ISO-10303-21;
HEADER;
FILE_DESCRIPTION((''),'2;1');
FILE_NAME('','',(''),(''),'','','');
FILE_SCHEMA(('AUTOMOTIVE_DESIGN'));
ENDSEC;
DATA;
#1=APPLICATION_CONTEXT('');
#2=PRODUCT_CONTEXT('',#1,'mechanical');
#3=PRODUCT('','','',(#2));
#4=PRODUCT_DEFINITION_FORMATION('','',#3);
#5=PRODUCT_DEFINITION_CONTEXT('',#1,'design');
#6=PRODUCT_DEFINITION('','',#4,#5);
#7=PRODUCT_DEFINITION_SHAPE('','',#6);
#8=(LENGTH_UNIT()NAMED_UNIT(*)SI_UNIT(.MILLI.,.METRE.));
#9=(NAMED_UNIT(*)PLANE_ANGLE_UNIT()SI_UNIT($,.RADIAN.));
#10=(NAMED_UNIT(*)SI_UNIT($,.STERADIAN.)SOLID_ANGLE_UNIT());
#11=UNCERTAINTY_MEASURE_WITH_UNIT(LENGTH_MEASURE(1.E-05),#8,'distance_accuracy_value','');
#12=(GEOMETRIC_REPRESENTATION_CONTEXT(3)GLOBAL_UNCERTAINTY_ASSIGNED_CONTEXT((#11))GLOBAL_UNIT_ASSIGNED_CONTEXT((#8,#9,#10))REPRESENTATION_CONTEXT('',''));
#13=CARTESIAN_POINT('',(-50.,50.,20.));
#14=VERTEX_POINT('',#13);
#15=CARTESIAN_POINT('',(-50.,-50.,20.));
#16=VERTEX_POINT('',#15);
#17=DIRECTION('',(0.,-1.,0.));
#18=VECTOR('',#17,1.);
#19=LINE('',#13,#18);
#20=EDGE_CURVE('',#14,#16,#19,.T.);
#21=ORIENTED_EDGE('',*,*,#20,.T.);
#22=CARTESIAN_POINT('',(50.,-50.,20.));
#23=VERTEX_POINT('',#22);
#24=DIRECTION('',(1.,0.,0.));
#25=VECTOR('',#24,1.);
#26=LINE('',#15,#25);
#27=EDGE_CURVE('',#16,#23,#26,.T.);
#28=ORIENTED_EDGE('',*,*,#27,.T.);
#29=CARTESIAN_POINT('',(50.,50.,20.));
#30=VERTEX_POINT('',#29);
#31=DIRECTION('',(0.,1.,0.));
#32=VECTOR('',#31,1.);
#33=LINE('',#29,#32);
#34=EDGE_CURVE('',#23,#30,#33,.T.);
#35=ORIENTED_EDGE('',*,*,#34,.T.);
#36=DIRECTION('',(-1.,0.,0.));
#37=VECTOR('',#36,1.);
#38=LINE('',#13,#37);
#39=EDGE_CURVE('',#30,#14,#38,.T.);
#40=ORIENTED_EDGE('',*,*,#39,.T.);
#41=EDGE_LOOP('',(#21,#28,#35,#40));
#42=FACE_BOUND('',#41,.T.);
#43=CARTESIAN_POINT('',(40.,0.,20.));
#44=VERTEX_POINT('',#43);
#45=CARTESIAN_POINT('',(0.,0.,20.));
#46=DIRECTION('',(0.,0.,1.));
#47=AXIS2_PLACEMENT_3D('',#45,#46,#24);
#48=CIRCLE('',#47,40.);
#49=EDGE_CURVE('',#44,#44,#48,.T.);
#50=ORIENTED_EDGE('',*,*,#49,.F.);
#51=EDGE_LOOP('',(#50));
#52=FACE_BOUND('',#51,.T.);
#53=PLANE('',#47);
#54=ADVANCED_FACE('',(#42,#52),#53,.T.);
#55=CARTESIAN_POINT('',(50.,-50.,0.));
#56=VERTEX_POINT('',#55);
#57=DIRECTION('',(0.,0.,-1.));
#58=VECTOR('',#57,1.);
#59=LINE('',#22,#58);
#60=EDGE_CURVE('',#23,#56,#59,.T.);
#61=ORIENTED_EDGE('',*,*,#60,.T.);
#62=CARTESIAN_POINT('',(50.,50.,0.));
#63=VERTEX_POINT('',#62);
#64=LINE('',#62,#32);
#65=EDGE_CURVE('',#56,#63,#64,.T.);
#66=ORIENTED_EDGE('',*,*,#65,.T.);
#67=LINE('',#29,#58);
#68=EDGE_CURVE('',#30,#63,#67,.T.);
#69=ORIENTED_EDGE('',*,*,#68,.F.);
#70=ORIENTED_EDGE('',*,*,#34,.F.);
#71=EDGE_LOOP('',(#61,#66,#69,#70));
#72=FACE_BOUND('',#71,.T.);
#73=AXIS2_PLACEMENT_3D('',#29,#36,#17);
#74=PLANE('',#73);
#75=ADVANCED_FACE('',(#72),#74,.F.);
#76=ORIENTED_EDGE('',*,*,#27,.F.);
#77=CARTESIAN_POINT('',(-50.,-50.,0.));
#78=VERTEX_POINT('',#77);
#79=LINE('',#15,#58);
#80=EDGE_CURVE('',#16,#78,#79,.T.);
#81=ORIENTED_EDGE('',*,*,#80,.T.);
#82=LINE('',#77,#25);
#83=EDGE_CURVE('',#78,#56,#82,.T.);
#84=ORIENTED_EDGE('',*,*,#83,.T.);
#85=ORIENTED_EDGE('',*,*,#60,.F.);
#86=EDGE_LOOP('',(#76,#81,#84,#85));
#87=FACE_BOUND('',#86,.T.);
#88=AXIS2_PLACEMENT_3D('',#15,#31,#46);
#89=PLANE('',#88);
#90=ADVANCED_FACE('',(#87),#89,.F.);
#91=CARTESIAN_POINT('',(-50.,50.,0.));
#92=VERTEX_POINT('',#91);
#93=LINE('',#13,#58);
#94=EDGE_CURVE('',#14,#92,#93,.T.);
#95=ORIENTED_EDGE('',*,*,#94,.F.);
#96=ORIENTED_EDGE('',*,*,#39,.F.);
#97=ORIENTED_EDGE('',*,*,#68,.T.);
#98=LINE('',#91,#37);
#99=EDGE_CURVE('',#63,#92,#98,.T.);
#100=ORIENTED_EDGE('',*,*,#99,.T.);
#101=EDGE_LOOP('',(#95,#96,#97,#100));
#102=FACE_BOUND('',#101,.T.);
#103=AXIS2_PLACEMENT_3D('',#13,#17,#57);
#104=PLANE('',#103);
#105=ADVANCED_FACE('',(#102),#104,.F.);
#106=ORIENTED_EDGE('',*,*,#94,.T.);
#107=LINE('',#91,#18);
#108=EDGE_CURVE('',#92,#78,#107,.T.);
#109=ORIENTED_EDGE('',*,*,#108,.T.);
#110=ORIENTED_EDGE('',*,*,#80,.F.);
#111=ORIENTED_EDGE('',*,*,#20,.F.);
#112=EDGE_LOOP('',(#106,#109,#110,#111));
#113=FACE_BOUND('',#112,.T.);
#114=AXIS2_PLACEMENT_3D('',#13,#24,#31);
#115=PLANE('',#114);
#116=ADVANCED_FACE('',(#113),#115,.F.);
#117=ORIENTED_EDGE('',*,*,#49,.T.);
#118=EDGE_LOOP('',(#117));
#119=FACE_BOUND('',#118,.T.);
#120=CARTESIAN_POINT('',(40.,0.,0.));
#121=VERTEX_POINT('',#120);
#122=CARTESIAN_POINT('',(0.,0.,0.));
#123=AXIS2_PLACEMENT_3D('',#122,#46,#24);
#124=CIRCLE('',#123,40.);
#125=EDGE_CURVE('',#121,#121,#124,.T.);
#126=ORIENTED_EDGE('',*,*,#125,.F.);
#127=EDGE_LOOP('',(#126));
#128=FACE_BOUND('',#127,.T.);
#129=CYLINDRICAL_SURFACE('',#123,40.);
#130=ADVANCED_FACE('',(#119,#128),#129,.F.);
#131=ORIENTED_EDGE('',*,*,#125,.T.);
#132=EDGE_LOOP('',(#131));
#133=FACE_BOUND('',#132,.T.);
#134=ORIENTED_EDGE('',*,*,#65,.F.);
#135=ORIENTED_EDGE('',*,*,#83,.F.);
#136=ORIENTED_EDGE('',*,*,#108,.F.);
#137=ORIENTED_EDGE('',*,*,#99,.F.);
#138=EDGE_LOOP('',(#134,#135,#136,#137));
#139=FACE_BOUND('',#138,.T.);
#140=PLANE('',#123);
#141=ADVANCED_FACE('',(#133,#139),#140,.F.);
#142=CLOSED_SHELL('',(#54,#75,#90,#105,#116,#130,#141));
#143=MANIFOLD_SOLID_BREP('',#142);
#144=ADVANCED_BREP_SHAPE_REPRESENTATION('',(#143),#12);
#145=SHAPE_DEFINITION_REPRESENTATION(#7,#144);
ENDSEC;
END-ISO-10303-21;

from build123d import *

# Parameters (mm, degrees)
SKETCH1_W           = 100
SKETCH1_H           = 100
BOSS_EXTRUDE1_DEPTH = 20
SKETCH2_R           = 40
CUT_EXTRUDE1_DEPTH  = 20


with BuildPart() as part:
    # Sketch1 → Boss-Extrude1 (new body)
    with BuildSketch(Plane.XY):
        Rectangle(SKETCH1_W, SKETCH1_H)
    extrude(amount=BOSS_EXTRUDE1_DEPTH)

    # Sketch2 → Cut-Extrude1 (cut)
    with BuildSketch(Plane.XY.offset(20)):
        Circle(SKETCH2_R)
    extrude(amount=-CUT_EXTRUDE1_DEPTH, mode=Mode.SUBTRACT)


solid = part.part
